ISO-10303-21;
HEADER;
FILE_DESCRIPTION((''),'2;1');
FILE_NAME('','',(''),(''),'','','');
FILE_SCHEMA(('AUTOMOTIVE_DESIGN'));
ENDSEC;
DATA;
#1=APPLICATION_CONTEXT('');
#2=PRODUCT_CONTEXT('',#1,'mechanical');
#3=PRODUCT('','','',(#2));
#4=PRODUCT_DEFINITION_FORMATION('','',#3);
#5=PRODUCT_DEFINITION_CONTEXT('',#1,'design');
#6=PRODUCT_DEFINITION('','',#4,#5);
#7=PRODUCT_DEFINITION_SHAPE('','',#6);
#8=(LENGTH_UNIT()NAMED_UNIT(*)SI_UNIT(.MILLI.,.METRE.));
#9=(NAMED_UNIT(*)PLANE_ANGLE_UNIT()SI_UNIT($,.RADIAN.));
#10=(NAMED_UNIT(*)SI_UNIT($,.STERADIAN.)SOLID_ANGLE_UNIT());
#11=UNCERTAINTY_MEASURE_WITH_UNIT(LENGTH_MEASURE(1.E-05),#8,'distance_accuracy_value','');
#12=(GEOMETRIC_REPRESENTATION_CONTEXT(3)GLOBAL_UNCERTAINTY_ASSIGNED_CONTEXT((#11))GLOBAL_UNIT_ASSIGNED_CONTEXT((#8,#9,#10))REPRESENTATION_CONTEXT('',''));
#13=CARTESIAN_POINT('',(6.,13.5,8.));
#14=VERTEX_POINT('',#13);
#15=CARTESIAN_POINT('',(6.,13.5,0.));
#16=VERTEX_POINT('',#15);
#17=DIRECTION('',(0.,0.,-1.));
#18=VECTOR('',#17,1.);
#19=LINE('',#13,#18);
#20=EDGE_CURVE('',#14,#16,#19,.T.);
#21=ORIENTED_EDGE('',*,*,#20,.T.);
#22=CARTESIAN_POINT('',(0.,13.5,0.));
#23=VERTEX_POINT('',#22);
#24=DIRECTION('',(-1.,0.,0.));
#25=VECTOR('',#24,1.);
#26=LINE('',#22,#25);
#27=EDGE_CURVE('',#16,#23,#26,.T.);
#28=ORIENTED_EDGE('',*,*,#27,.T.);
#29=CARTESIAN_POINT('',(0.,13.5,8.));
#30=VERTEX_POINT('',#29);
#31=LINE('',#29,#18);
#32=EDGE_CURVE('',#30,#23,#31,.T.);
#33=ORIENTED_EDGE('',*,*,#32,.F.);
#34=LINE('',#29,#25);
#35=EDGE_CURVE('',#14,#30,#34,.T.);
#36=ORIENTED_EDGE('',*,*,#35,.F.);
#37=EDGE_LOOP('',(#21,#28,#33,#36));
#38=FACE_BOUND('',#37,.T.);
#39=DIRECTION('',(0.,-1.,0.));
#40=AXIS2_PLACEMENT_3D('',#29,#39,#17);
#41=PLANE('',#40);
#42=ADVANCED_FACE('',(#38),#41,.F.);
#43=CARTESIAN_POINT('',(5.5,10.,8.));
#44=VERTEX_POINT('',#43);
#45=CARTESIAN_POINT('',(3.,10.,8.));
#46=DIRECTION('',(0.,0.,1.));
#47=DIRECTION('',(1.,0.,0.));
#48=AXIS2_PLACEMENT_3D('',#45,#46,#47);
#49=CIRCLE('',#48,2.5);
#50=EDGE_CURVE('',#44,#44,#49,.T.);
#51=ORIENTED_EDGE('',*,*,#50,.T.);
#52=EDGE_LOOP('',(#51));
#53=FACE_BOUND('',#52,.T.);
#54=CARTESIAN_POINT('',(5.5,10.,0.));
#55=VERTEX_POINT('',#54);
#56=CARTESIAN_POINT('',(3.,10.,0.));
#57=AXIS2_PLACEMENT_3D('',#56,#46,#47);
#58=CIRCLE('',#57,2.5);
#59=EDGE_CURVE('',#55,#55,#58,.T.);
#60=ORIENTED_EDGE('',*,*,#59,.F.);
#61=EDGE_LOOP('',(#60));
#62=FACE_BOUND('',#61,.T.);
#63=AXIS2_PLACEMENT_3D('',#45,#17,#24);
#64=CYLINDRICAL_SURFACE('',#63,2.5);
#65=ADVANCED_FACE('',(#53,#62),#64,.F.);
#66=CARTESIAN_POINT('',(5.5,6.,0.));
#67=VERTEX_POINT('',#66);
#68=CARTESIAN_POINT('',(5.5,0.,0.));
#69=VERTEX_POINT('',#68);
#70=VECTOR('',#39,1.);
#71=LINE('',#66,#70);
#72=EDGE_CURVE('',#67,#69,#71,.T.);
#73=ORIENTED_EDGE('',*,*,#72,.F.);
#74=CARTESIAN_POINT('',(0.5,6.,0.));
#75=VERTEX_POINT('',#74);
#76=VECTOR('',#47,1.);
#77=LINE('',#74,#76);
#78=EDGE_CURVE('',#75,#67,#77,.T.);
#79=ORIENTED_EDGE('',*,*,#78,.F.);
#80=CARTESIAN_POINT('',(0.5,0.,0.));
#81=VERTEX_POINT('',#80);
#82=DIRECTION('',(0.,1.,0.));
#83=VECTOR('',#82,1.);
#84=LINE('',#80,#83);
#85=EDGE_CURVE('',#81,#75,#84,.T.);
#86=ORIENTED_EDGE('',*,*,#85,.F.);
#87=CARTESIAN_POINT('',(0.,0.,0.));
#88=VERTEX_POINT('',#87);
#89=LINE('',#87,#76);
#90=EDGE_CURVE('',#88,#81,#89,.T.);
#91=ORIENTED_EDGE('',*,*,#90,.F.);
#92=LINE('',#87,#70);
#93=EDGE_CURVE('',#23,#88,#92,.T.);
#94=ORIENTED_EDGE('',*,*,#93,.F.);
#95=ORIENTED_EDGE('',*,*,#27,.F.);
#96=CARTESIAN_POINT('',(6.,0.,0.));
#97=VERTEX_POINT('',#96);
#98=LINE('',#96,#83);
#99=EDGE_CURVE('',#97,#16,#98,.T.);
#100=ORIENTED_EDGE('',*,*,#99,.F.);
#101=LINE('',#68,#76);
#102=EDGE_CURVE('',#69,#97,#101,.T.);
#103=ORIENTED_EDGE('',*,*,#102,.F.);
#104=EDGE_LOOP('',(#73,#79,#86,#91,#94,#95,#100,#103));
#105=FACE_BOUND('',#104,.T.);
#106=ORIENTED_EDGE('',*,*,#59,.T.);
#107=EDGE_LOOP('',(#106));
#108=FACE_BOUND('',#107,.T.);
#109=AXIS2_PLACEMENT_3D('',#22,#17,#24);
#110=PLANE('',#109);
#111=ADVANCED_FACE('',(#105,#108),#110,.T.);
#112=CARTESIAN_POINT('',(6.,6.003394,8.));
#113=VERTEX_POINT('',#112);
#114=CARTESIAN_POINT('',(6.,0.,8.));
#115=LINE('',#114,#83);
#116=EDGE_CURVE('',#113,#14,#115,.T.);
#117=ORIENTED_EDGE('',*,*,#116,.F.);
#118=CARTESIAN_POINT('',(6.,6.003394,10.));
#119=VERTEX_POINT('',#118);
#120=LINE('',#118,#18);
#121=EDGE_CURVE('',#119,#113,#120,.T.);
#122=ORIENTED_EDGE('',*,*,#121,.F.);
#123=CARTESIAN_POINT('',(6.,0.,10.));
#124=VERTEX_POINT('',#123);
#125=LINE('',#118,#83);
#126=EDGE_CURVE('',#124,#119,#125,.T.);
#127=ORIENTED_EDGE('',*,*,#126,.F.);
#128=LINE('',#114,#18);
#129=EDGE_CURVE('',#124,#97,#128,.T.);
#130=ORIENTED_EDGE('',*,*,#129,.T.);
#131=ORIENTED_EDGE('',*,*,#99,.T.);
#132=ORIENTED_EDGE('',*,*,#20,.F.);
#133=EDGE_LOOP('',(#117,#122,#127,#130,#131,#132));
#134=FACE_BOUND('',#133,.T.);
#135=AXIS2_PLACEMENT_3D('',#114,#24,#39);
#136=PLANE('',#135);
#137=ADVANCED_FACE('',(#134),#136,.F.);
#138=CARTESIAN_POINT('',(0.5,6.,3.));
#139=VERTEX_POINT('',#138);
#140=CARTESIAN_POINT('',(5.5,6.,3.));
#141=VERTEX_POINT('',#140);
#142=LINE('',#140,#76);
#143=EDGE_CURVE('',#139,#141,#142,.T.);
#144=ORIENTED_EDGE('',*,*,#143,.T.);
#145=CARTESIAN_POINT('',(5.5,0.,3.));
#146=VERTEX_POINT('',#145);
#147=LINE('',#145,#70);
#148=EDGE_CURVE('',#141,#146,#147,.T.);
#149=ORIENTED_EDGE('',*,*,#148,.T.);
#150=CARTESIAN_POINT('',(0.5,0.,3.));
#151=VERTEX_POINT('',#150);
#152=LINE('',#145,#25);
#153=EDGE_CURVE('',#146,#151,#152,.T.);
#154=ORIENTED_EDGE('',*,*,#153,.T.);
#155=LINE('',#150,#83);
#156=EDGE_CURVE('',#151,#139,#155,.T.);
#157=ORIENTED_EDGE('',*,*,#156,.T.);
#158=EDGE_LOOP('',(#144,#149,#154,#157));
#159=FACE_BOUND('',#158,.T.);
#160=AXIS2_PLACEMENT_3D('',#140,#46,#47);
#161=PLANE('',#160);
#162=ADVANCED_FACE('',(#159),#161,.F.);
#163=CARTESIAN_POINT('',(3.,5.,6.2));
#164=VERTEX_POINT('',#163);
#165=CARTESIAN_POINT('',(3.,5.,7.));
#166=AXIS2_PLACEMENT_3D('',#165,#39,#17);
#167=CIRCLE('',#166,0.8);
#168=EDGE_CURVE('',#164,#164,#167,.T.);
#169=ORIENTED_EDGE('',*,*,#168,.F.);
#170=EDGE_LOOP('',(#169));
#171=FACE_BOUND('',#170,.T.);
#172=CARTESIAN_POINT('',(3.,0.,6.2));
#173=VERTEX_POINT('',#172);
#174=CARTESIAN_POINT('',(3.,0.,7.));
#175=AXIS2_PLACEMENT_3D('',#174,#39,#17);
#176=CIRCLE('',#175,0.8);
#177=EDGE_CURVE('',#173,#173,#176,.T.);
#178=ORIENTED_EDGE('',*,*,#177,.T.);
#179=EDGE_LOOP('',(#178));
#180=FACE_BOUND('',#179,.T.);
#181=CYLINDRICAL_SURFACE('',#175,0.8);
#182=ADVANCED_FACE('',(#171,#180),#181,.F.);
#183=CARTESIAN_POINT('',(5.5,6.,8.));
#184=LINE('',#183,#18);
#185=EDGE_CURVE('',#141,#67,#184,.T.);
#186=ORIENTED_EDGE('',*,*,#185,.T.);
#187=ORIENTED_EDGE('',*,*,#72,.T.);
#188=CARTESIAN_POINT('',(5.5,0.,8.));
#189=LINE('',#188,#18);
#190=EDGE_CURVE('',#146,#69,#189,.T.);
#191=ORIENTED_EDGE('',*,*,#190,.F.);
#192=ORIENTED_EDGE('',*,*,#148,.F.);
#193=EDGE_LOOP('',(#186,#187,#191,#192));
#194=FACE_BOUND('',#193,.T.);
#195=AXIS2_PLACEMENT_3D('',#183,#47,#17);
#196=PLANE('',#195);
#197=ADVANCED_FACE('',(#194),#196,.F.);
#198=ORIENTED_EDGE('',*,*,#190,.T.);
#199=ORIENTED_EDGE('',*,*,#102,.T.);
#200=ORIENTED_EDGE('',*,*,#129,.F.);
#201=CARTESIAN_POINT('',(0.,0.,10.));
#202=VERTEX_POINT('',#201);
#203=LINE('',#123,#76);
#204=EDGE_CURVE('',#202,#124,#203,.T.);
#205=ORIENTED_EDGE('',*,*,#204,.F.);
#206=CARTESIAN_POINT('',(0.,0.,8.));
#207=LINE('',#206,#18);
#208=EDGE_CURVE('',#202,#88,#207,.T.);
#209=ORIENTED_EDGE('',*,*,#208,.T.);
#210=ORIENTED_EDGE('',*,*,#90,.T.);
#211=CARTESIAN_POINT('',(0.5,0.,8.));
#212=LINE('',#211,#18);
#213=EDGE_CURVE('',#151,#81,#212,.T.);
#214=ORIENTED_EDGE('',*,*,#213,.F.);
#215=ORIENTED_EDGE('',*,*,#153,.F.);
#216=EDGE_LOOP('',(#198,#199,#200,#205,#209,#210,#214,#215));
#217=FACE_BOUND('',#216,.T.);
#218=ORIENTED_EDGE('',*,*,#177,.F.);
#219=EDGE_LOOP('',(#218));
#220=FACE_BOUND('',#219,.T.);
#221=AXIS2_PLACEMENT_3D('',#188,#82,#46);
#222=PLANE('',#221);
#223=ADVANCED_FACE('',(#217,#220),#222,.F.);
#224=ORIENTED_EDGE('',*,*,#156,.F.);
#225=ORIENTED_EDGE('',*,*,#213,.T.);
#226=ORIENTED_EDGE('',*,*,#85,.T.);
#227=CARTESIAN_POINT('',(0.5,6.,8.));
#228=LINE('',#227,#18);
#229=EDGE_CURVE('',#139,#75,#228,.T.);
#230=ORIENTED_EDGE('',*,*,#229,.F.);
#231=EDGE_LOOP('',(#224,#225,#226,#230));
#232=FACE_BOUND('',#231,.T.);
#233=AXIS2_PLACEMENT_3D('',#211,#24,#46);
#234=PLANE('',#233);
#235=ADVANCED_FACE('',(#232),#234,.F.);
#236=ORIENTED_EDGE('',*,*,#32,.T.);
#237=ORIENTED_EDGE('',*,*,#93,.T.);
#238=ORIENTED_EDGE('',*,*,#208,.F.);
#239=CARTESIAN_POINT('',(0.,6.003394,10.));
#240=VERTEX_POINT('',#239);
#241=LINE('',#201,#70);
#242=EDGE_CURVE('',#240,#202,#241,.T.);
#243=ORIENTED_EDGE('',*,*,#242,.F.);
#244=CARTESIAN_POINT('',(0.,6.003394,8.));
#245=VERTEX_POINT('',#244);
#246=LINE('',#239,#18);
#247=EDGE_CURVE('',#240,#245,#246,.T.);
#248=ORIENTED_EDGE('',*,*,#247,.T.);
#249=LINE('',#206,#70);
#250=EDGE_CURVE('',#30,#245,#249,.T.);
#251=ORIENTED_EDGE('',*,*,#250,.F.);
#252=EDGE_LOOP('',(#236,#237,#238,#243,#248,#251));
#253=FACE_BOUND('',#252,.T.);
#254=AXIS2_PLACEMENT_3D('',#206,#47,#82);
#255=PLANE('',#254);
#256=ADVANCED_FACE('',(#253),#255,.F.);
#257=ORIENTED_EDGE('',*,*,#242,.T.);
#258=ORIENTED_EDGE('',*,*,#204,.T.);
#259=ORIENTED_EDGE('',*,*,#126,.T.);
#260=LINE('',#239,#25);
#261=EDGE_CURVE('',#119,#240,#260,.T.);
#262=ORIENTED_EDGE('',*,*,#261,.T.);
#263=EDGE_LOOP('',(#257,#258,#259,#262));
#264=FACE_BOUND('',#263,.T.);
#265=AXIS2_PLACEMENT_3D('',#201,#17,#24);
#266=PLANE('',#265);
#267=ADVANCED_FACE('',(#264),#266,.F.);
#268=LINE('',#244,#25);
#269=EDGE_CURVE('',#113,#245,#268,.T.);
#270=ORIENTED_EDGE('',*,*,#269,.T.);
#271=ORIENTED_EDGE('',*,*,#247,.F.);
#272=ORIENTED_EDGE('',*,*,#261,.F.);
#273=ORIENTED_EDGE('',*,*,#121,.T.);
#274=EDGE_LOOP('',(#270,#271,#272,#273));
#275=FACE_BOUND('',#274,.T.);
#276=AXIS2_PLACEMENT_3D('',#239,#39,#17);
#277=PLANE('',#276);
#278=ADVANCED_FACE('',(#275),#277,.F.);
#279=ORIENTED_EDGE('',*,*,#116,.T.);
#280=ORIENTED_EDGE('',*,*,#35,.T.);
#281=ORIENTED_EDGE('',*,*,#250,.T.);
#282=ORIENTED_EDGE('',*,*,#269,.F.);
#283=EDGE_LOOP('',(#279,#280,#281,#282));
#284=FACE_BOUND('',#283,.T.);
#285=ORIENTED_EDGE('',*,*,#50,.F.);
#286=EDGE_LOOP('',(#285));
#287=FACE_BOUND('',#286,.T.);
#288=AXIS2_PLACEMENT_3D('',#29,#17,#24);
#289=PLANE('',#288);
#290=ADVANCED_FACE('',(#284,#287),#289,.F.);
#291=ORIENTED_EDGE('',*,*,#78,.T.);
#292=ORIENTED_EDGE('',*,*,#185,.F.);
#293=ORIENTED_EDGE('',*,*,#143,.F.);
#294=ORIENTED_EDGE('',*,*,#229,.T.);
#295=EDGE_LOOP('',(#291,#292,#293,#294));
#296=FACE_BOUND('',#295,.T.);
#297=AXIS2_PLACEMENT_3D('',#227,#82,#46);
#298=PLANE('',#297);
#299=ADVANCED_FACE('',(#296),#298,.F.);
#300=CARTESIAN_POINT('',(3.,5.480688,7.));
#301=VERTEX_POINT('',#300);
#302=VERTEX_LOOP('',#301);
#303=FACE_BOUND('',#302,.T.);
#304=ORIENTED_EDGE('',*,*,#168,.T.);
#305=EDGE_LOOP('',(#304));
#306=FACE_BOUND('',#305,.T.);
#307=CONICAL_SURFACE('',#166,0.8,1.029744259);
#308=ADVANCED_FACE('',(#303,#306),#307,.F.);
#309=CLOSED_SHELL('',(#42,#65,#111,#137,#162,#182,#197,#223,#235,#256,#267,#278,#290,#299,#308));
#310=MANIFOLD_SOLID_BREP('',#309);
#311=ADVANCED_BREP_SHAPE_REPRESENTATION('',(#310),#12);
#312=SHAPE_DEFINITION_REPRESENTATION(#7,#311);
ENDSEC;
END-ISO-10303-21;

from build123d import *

# Parameters (mm, degrees)
SKETCH_1_R             = 2.5
EXTRUDE_1_DEPTH        = 8
SKETCH_5_W             = 6
SKETCH_5_H             = 6.003393665
EXTRUDE_4_DEPTH        = 2
SKETCH_6_W             = 5
SKETCH_6_H             = 6
EXTRUDE_5_DEPTH        = 5
HOLE_WIZARD_M2_1_D     = 1.6
HOLE_WIZARD_M2_1_DEPTH = 5
HOLE_WIZARD_M2_1_TIP   = 0.480688495


with BuildPart() as part:
    # 스케치1 → 돌출1 (new body)
    with BuildSketch(Plane.XY):
        Polygon((0, 0), (0.5, 0), (0.5, 6), (5.5, 6), (5.5, 0), (6, 0), (6, 13.5), (0, 13.5), align=None)
        with Locations((3, 10)):
            Circle(SKETCH_1_R, mode=Mode.SUBTRACT)
    extrude(amount=EXTRUDE_1_DEPTH)

    # 스케치5 → 돌출4 (add)
    with BuildSketch(Plane.XY.offset(8)):
        with Locations((3, 3.001696832)):
            Rectangle(SKETCH_5_W, SKETCH_5_H)
    extrude(amount=EXTRUDE_4_DEPTH)

    # 스케치6 → 돌출5 (add)
    with BuildSketch(Plane(origin=(0, 0, 8), x_dir=(-1, 0, 0), z_dir=(0, 0, -1))):
        with Locations((-3, 3)):
            Rectangle(SKETCH_6_W, SKETCH_6_H)
    extrude(amount=EXTRUDE_5_DEPTH)

    # M2 탭을 위한 탭 드릴1
    with Locations(Plane.XZ):
        with Locations((3, 7)):
            Hole(HOLE_WIZARD_M2_1_D / 2, depth=HOLE_WIZARD_M2_1_DEPTH)
            with Locations((0, 0, -(HOLE_WIZARD_M2_1_DEPTH + HOLE_WIZARD_M2_1_TIP / 2))):  # 118° drill point
                Cone(0, HOLE_WIZARD_M2_1_D / 2, HOLE_WIZARD_M2_1_TIP, mode=Mode.SUBTRACT)


solid = part.part
